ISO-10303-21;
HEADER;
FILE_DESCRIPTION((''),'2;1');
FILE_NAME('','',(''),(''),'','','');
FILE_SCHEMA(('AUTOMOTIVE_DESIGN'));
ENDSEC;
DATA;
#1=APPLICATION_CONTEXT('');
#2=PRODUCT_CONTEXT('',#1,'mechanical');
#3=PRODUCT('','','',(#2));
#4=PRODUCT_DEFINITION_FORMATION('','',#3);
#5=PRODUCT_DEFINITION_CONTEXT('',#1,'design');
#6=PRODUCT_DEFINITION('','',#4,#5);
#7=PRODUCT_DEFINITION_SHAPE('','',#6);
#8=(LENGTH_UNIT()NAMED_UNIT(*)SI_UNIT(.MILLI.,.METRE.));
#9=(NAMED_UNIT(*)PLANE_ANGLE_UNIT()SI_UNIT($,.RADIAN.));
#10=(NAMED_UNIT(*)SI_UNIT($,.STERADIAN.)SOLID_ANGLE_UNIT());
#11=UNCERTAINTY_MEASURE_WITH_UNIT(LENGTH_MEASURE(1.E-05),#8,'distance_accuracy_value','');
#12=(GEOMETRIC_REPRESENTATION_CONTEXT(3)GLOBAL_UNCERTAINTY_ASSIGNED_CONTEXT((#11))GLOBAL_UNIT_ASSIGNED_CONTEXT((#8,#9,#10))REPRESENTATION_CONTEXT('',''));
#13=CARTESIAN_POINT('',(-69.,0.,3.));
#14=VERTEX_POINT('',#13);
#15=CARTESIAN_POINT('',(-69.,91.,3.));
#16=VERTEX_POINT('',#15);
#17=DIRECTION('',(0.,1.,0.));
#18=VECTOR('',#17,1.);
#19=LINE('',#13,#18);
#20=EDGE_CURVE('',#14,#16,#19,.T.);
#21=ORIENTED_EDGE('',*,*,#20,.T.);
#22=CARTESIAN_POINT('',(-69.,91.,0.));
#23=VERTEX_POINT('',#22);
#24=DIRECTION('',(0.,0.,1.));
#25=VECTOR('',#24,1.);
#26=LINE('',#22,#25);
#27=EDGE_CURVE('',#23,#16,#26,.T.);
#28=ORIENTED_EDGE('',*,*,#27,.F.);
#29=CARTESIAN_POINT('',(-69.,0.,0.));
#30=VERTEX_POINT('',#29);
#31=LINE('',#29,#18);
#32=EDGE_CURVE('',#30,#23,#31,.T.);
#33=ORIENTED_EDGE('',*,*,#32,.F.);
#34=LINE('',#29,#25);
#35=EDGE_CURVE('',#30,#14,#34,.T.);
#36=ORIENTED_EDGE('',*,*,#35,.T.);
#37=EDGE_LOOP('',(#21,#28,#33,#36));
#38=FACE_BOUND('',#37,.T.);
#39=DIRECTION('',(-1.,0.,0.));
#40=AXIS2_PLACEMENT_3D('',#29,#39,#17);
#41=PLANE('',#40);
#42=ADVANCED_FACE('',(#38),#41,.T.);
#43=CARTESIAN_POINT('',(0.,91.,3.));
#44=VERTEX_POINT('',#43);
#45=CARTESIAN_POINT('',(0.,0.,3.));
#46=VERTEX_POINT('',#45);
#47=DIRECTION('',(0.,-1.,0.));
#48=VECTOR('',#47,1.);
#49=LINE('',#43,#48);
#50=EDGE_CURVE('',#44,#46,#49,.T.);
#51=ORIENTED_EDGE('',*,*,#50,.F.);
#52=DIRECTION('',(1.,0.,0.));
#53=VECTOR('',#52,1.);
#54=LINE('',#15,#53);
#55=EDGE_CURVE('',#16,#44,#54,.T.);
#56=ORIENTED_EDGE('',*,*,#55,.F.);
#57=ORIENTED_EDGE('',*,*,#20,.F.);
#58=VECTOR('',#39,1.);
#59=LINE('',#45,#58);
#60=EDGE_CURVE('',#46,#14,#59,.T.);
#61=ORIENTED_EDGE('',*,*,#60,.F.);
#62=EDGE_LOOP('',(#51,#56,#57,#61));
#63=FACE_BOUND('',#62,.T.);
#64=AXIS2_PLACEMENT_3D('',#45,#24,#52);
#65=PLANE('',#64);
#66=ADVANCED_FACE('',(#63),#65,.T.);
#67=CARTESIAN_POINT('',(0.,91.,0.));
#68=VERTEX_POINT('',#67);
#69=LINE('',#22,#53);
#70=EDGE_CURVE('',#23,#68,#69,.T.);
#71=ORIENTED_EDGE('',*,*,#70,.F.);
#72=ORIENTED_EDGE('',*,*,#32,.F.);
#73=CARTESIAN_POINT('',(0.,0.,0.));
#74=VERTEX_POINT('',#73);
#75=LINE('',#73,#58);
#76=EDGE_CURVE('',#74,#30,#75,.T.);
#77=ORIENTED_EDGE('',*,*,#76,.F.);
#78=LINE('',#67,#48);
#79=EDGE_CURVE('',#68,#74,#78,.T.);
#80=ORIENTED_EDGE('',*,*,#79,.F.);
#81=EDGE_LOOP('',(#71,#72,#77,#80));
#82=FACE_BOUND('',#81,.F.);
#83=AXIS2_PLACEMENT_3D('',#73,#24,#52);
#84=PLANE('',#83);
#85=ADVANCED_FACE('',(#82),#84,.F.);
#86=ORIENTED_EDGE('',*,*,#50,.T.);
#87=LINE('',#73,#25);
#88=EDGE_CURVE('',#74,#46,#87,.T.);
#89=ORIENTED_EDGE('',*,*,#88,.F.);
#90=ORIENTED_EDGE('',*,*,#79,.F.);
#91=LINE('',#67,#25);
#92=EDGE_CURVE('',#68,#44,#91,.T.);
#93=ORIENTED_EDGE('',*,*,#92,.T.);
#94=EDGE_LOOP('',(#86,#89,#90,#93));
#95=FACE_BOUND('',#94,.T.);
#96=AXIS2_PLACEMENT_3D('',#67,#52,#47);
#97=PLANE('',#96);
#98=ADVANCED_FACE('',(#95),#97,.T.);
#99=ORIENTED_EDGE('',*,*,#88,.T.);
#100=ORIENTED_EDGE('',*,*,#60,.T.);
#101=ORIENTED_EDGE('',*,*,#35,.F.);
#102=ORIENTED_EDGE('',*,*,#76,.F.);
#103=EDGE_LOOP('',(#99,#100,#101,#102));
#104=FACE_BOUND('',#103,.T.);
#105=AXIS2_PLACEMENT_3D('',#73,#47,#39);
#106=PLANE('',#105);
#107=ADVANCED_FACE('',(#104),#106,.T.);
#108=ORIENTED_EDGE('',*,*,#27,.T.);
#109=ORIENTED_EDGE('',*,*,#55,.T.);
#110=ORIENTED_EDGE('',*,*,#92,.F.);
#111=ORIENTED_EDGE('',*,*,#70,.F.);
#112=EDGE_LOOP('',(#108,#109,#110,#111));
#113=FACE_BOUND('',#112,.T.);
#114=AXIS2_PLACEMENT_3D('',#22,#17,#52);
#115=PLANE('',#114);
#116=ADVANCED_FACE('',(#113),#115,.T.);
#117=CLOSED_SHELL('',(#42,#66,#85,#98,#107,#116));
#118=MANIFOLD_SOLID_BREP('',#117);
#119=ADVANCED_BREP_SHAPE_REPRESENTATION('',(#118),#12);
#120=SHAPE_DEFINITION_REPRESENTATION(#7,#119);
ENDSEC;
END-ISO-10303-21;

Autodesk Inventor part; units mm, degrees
ref_plane "YZ Plane" through (0, 0, 0) normal (1, 0, 0) x (0, 1, 0)
ref_plane "XZ Plane" through (0, 0, 0) normal (0, 1, 0) x (-1, 0, 0)
ref_plane "XY Plane" through (0, 0, 0) normal (0, 0, 1) x (1, 0, 0)
sketch "Sketch1" plane through (0, 0, 0) normal (0, 0, 1) x (1, 0, 0)
  line L0 (0, 0) -> (-69, 0)
  line L1 (-69, 0) -> (-69, 91)
  line L2 (-69, 91) -> (0, 91)
  line L3 (0, 91) -> (0, 0)
  dimension "d0" = 69
  dimension "d1" = 91
extrude "Extrusion1" add sketch "Sketch1" along normal blind 3
properties part number "obudowa przekładni 4"
